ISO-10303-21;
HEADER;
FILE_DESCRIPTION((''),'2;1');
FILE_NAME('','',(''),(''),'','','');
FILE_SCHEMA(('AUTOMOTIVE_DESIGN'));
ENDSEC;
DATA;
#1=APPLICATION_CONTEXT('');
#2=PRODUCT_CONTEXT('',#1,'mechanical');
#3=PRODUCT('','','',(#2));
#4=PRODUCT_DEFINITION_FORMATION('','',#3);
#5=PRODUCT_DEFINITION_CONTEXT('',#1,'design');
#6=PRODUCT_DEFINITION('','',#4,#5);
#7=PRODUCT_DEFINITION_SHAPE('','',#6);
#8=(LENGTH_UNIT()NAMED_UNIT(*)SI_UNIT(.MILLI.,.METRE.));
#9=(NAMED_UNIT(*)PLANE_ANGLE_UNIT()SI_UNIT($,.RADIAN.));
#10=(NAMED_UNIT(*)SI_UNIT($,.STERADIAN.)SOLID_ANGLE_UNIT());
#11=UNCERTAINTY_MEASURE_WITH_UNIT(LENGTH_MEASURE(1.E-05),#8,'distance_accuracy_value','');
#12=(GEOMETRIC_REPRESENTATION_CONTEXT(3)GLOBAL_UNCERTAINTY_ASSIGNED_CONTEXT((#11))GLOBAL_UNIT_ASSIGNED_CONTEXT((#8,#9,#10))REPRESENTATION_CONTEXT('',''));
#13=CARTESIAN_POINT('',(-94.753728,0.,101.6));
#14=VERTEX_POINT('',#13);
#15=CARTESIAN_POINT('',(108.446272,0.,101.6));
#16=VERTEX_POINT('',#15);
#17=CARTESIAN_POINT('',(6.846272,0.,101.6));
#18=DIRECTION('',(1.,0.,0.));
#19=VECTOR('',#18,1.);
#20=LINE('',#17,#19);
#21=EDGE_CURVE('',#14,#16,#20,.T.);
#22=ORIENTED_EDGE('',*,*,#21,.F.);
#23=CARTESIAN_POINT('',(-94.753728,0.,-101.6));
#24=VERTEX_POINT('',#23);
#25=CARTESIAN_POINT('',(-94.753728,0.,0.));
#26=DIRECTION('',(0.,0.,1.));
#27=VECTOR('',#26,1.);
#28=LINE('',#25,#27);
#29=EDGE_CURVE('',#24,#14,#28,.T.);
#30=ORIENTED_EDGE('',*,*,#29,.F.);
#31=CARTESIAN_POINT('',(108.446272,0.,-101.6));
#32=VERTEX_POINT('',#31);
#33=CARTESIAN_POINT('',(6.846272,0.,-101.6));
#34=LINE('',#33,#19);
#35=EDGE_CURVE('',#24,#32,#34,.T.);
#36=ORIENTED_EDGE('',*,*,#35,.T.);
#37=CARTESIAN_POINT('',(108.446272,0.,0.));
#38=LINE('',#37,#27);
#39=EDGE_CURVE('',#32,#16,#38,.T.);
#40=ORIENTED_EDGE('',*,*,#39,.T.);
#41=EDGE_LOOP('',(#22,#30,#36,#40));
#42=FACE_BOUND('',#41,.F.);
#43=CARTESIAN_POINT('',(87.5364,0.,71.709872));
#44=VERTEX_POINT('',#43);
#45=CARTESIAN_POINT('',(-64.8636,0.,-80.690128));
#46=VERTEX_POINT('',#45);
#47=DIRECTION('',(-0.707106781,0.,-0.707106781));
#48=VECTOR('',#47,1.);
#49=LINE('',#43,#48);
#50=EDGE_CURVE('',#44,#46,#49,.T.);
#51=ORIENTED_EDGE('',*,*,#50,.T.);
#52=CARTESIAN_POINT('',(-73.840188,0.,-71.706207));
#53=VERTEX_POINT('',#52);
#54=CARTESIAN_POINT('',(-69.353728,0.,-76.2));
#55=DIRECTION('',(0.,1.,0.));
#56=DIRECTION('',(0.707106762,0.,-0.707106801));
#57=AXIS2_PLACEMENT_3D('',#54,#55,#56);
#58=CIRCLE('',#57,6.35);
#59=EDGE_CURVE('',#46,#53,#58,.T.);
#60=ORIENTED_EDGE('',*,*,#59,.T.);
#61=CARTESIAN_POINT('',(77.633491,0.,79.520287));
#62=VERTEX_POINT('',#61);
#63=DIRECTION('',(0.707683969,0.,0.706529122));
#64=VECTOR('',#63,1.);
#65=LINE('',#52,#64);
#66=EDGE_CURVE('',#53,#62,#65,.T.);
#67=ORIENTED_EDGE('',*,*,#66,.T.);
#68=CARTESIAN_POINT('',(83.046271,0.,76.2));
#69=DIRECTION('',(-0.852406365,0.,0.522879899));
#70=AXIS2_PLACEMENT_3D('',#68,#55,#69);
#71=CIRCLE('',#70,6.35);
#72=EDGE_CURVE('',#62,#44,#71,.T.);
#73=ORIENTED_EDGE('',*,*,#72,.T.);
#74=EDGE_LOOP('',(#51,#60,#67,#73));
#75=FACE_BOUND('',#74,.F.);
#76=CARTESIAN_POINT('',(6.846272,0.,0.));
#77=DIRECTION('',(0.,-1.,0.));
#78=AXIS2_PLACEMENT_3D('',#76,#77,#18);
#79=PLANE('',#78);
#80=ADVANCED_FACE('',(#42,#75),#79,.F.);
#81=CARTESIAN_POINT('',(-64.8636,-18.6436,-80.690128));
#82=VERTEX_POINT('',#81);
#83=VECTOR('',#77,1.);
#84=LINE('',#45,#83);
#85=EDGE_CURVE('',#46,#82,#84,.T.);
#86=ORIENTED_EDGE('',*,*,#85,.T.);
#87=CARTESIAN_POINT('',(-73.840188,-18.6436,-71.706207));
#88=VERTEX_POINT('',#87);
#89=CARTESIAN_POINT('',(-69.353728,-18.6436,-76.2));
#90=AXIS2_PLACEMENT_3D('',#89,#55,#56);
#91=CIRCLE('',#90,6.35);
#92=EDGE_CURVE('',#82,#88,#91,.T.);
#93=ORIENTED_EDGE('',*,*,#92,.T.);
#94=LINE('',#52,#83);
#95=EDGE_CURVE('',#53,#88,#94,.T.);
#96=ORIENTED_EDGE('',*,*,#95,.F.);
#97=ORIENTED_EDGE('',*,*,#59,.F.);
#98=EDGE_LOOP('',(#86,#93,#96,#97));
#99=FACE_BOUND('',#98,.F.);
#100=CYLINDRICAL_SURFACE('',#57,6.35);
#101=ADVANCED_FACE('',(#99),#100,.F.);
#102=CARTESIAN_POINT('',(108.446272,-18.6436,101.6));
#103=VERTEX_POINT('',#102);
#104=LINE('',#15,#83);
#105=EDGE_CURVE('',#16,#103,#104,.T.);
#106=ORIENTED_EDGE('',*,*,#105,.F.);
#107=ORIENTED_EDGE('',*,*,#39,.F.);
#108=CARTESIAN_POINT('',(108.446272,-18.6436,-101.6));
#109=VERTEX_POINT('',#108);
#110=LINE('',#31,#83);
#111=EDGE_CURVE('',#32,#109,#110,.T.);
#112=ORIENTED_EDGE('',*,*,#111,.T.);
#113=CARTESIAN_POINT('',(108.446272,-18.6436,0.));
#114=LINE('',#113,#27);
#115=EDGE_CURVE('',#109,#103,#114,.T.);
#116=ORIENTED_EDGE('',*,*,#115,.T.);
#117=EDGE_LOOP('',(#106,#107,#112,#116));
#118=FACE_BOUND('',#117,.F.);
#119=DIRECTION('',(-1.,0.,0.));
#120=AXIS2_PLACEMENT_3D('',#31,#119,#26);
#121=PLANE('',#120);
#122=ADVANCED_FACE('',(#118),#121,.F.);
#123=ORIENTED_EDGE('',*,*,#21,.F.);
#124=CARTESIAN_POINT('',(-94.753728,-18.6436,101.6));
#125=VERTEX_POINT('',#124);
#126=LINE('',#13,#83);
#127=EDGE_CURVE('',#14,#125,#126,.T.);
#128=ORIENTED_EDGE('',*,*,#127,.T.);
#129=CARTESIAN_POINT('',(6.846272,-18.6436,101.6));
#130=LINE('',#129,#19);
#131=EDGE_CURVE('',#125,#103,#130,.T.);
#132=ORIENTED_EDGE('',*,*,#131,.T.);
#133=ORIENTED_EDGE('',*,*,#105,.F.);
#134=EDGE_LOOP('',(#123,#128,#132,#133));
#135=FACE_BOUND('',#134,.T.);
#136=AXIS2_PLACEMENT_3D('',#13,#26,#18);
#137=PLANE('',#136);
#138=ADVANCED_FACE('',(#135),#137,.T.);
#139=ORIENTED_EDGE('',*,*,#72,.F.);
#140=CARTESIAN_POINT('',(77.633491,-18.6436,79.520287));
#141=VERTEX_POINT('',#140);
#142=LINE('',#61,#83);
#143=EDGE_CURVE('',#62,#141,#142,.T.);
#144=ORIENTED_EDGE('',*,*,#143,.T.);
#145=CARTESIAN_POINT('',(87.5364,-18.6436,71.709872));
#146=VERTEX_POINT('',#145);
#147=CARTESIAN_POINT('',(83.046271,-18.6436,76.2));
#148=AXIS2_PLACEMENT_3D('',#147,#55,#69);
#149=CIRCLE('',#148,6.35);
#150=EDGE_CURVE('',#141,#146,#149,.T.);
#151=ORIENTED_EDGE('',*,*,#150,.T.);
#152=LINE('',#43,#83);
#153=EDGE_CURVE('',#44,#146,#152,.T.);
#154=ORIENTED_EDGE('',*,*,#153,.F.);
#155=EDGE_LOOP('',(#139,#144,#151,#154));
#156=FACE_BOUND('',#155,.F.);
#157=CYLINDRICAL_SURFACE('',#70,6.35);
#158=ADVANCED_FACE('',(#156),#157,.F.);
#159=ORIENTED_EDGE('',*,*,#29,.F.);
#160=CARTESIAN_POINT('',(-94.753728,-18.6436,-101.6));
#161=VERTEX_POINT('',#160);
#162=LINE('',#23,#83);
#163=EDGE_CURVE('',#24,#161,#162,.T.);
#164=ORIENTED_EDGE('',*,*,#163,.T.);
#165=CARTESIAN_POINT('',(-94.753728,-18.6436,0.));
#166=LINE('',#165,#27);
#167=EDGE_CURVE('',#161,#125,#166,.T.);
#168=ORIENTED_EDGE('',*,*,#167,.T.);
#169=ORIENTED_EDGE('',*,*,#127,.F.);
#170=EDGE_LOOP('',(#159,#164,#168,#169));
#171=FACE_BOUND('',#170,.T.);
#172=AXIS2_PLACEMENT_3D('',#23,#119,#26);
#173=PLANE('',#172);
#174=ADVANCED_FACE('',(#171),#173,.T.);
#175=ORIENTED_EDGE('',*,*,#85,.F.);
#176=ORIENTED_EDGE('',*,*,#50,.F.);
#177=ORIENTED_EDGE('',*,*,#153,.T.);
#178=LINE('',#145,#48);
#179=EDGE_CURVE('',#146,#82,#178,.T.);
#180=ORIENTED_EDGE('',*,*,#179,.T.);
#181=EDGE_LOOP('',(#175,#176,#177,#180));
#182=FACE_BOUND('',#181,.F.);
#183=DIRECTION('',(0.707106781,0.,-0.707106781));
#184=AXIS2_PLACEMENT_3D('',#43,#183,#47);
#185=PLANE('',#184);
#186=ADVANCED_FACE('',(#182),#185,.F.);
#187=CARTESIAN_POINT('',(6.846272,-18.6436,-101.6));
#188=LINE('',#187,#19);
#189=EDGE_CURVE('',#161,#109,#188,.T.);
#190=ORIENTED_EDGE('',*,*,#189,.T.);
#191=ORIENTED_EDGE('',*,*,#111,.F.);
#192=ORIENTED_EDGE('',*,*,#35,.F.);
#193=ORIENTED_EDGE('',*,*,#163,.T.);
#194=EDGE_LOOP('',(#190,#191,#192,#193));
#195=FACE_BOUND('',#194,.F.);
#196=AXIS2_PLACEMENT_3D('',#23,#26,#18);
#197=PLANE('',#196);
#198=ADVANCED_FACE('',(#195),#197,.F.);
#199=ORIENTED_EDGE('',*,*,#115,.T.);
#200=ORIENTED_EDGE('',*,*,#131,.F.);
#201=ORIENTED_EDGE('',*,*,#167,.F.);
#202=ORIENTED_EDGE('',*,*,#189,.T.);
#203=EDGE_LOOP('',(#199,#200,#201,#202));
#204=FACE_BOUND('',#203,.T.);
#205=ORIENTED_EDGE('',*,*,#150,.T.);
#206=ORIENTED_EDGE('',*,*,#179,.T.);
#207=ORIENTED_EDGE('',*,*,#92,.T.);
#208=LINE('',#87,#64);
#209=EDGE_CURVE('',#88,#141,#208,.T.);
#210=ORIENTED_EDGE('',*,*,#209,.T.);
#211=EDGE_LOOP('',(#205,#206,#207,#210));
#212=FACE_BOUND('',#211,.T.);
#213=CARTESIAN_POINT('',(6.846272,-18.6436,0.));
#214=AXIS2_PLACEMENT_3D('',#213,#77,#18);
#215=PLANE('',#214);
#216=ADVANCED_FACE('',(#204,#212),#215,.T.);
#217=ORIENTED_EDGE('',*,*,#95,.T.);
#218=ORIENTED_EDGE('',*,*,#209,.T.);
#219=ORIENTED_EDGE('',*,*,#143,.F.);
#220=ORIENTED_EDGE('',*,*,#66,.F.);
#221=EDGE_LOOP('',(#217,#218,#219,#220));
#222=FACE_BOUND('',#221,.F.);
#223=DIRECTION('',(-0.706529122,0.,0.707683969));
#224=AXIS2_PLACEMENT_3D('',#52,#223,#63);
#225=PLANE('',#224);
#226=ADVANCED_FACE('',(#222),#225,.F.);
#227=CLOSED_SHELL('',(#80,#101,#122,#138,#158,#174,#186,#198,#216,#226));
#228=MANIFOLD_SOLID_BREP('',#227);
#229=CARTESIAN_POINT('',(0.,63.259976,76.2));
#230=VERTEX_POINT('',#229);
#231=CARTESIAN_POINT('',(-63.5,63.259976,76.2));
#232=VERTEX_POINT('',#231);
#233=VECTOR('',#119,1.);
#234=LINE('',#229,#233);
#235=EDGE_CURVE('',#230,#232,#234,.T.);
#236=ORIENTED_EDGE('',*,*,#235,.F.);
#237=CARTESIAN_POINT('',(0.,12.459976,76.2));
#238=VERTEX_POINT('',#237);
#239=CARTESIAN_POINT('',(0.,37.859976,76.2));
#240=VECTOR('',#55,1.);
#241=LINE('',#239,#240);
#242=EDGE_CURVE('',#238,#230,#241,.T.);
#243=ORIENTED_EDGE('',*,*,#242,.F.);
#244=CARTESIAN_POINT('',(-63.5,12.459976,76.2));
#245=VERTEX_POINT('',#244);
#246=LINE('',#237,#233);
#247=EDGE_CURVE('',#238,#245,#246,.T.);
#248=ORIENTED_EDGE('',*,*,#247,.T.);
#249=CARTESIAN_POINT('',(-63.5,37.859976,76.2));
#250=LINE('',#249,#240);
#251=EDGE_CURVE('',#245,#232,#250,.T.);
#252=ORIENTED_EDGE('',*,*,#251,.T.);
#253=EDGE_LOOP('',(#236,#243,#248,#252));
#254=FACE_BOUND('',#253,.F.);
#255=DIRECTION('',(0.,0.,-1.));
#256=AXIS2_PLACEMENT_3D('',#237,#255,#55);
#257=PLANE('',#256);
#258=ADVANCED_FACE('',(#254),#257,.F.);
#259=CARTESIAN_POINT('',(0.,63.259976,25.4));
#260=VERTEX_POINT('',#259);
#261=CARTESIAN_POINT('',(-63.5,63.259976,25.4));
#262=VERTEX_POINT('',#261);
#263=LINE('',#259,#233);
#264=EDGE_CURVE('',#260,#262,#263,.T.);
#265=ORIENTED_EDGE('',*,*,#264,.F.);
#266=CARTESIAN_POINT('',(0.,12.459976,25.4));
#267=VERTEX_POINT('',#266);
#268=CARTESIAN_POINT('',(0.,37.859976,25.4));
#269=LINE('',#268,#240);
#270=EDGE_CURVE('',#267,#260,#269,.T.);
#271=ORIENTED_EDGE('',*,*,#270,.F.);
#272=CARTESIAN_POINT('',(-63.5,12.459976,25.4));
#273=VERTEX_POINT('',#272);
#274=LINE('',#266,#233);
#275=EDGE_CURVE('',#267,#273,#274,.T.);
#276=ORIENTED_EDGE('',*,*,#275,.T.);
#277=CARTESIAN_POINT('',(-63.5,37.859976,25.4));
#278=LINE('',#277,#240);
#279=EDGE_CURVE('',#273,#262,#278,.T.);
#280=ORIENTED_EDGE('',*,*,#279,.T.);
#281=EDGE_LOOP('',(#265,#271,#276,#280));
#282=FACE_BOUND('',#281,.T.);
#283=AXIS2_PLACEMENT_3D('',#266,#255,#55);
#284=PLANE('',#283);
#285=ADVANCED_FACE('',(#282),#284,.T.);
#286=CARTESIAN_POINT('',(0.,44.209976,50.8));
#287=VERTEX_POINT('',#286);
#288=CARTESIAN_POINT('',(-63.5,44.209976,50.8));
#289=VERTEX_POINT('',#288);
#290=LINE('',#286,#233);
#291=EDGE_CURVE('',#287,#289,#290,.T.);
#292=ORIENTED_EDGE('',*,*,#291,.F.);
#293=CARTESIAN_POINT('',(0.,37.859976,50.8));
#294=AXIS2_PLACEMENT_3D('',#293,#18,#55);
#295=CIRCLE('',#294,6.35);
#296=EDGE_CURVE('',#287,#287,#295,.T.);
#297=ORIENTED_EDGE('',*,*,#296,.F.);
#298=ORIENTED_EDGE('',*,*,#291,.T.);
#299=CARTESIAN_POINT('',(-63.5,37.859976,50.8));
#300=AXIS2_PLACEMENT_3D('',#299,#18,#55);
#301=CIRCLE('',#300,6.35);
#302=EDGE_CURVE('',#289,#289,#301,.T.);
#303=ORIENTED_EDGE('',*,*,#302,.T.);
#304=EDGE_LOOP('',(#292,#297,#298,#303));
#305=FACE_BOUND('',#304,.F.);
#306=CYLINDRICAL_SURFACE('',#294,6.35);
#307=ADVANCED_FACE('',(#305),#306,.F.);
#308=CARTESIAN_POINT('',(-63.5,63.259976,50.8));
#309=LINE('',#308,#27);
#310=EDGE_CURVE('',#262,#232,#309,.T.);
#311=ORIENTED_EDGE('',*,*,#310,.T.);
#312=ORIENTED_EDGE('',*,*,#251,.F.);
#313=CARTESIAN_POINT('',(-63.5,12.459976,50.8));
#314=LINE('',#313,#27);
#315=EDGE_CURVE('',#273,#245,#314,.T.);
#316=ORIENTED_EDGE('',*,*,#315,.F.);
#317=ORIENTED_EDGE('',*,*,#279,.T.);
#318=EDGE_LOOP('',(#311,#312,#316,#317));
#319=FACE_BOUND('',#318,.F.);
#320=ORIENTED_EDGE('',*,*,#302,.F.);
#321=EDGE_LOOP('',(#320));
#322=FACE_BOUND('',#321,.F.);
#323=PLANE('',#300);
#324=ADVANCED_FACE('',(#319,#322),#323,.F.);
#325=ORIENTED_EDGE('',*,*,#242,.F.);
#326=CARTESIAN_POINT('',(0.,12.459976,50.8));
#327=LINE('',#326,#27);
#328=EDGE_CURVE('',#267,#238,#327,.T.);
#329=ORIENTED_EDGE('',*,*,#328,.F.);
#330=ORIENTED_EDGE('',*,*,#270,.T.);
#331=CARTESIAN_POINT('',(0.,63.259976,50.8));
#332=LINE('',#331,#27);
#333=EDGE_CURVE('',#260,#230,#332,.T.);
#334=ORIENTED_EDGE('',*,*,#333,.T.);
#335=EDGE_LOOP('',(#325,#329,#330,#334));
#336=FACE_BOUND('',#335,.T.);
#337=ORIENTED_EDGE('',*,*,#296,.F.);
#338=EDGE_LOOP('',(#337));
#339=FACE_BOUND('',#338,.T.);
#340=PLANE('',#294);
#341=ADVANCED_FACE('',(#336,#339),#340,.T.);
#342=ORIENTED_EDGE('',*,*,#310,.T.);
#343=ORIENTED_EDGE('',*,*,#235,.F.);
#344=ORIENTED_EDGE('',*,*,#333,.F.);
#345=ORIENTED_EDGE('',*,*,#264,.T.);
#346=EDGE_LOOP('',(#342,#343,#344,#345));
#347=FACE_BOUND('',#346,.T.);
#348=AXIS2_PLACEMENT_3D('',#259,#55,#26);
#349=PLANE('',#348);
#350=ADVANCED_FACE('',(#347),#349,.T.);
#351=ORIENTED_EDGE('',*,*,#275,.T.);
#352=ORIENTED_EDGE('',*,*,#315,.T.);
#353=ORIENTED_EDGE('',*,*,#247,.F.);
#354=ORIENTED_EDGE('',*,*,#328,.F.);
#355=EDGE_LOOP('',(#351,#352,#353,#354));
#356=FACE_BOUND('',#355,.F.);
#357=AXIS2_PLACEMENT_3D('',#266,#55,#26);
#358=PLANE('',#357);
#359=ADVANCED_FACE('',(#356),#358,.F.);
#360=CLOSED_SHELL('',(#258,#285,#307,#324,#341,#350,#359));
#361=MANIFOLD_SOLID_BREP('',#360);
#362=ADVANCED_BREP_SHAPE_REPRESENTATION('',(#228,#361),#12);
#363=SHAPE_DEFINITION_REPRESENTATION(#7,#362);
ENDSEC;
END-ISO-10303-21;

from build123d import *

# Parameters (mm, degrees)
F0_W     = 203.2
F0_H     = 203.2
F1_DEPTH = 18.6436
F2_W     = 50.8
F2_H     = 50.8
F3_DEPTH = 63.5
F5_R     = 6.35
F4_DEPTH = 94.754728


with BuildPart() as f1:
    # F0 (on Front) → F1 (new body)
    with BuildSketch(Plane.XZ):
        with Locations((6.846272, 0)):
            Rectangle(F0_W, F0_H)
        with BuildLine():
            ThreePointArc((-64.8636, -80.690128), (-73.845689, -80.688294), (-73.840188, -71.706207))
            Line((-73.840188, -71.706207), (77.633491, 79.520287))
            ThreePointArc((77.633491, 79.520287), (86.978633, 81.185883), (87.5364, 71.709872))
            Line((87.5364, 71.709872), (-64.8636, -80.690128))
        make_face(mode=Mode.SUBTRACT)
    extrude(amount=F1_DEPTH)


with BuildPart() as f3:
    # F2 (on Right) → F3 (new body)
    with BuildSketch(Plane.YZ):
        with Locations((37.859976, 50.8)):
            Rectangle(F2_W, F2_H)
    extrude(amount=-F3_DEPTH)

    # F5 (on face) → F4 (cut, through all)
    with BuildSketch(Plane.YZ):
        with Locations((37.859976, 50.8)):
            Circle(F5_R)
    extrude(amount=-F4_DEPTH, mode=Mode.SUBTRACT)


solid = Compound([f1.part, f3.part])
